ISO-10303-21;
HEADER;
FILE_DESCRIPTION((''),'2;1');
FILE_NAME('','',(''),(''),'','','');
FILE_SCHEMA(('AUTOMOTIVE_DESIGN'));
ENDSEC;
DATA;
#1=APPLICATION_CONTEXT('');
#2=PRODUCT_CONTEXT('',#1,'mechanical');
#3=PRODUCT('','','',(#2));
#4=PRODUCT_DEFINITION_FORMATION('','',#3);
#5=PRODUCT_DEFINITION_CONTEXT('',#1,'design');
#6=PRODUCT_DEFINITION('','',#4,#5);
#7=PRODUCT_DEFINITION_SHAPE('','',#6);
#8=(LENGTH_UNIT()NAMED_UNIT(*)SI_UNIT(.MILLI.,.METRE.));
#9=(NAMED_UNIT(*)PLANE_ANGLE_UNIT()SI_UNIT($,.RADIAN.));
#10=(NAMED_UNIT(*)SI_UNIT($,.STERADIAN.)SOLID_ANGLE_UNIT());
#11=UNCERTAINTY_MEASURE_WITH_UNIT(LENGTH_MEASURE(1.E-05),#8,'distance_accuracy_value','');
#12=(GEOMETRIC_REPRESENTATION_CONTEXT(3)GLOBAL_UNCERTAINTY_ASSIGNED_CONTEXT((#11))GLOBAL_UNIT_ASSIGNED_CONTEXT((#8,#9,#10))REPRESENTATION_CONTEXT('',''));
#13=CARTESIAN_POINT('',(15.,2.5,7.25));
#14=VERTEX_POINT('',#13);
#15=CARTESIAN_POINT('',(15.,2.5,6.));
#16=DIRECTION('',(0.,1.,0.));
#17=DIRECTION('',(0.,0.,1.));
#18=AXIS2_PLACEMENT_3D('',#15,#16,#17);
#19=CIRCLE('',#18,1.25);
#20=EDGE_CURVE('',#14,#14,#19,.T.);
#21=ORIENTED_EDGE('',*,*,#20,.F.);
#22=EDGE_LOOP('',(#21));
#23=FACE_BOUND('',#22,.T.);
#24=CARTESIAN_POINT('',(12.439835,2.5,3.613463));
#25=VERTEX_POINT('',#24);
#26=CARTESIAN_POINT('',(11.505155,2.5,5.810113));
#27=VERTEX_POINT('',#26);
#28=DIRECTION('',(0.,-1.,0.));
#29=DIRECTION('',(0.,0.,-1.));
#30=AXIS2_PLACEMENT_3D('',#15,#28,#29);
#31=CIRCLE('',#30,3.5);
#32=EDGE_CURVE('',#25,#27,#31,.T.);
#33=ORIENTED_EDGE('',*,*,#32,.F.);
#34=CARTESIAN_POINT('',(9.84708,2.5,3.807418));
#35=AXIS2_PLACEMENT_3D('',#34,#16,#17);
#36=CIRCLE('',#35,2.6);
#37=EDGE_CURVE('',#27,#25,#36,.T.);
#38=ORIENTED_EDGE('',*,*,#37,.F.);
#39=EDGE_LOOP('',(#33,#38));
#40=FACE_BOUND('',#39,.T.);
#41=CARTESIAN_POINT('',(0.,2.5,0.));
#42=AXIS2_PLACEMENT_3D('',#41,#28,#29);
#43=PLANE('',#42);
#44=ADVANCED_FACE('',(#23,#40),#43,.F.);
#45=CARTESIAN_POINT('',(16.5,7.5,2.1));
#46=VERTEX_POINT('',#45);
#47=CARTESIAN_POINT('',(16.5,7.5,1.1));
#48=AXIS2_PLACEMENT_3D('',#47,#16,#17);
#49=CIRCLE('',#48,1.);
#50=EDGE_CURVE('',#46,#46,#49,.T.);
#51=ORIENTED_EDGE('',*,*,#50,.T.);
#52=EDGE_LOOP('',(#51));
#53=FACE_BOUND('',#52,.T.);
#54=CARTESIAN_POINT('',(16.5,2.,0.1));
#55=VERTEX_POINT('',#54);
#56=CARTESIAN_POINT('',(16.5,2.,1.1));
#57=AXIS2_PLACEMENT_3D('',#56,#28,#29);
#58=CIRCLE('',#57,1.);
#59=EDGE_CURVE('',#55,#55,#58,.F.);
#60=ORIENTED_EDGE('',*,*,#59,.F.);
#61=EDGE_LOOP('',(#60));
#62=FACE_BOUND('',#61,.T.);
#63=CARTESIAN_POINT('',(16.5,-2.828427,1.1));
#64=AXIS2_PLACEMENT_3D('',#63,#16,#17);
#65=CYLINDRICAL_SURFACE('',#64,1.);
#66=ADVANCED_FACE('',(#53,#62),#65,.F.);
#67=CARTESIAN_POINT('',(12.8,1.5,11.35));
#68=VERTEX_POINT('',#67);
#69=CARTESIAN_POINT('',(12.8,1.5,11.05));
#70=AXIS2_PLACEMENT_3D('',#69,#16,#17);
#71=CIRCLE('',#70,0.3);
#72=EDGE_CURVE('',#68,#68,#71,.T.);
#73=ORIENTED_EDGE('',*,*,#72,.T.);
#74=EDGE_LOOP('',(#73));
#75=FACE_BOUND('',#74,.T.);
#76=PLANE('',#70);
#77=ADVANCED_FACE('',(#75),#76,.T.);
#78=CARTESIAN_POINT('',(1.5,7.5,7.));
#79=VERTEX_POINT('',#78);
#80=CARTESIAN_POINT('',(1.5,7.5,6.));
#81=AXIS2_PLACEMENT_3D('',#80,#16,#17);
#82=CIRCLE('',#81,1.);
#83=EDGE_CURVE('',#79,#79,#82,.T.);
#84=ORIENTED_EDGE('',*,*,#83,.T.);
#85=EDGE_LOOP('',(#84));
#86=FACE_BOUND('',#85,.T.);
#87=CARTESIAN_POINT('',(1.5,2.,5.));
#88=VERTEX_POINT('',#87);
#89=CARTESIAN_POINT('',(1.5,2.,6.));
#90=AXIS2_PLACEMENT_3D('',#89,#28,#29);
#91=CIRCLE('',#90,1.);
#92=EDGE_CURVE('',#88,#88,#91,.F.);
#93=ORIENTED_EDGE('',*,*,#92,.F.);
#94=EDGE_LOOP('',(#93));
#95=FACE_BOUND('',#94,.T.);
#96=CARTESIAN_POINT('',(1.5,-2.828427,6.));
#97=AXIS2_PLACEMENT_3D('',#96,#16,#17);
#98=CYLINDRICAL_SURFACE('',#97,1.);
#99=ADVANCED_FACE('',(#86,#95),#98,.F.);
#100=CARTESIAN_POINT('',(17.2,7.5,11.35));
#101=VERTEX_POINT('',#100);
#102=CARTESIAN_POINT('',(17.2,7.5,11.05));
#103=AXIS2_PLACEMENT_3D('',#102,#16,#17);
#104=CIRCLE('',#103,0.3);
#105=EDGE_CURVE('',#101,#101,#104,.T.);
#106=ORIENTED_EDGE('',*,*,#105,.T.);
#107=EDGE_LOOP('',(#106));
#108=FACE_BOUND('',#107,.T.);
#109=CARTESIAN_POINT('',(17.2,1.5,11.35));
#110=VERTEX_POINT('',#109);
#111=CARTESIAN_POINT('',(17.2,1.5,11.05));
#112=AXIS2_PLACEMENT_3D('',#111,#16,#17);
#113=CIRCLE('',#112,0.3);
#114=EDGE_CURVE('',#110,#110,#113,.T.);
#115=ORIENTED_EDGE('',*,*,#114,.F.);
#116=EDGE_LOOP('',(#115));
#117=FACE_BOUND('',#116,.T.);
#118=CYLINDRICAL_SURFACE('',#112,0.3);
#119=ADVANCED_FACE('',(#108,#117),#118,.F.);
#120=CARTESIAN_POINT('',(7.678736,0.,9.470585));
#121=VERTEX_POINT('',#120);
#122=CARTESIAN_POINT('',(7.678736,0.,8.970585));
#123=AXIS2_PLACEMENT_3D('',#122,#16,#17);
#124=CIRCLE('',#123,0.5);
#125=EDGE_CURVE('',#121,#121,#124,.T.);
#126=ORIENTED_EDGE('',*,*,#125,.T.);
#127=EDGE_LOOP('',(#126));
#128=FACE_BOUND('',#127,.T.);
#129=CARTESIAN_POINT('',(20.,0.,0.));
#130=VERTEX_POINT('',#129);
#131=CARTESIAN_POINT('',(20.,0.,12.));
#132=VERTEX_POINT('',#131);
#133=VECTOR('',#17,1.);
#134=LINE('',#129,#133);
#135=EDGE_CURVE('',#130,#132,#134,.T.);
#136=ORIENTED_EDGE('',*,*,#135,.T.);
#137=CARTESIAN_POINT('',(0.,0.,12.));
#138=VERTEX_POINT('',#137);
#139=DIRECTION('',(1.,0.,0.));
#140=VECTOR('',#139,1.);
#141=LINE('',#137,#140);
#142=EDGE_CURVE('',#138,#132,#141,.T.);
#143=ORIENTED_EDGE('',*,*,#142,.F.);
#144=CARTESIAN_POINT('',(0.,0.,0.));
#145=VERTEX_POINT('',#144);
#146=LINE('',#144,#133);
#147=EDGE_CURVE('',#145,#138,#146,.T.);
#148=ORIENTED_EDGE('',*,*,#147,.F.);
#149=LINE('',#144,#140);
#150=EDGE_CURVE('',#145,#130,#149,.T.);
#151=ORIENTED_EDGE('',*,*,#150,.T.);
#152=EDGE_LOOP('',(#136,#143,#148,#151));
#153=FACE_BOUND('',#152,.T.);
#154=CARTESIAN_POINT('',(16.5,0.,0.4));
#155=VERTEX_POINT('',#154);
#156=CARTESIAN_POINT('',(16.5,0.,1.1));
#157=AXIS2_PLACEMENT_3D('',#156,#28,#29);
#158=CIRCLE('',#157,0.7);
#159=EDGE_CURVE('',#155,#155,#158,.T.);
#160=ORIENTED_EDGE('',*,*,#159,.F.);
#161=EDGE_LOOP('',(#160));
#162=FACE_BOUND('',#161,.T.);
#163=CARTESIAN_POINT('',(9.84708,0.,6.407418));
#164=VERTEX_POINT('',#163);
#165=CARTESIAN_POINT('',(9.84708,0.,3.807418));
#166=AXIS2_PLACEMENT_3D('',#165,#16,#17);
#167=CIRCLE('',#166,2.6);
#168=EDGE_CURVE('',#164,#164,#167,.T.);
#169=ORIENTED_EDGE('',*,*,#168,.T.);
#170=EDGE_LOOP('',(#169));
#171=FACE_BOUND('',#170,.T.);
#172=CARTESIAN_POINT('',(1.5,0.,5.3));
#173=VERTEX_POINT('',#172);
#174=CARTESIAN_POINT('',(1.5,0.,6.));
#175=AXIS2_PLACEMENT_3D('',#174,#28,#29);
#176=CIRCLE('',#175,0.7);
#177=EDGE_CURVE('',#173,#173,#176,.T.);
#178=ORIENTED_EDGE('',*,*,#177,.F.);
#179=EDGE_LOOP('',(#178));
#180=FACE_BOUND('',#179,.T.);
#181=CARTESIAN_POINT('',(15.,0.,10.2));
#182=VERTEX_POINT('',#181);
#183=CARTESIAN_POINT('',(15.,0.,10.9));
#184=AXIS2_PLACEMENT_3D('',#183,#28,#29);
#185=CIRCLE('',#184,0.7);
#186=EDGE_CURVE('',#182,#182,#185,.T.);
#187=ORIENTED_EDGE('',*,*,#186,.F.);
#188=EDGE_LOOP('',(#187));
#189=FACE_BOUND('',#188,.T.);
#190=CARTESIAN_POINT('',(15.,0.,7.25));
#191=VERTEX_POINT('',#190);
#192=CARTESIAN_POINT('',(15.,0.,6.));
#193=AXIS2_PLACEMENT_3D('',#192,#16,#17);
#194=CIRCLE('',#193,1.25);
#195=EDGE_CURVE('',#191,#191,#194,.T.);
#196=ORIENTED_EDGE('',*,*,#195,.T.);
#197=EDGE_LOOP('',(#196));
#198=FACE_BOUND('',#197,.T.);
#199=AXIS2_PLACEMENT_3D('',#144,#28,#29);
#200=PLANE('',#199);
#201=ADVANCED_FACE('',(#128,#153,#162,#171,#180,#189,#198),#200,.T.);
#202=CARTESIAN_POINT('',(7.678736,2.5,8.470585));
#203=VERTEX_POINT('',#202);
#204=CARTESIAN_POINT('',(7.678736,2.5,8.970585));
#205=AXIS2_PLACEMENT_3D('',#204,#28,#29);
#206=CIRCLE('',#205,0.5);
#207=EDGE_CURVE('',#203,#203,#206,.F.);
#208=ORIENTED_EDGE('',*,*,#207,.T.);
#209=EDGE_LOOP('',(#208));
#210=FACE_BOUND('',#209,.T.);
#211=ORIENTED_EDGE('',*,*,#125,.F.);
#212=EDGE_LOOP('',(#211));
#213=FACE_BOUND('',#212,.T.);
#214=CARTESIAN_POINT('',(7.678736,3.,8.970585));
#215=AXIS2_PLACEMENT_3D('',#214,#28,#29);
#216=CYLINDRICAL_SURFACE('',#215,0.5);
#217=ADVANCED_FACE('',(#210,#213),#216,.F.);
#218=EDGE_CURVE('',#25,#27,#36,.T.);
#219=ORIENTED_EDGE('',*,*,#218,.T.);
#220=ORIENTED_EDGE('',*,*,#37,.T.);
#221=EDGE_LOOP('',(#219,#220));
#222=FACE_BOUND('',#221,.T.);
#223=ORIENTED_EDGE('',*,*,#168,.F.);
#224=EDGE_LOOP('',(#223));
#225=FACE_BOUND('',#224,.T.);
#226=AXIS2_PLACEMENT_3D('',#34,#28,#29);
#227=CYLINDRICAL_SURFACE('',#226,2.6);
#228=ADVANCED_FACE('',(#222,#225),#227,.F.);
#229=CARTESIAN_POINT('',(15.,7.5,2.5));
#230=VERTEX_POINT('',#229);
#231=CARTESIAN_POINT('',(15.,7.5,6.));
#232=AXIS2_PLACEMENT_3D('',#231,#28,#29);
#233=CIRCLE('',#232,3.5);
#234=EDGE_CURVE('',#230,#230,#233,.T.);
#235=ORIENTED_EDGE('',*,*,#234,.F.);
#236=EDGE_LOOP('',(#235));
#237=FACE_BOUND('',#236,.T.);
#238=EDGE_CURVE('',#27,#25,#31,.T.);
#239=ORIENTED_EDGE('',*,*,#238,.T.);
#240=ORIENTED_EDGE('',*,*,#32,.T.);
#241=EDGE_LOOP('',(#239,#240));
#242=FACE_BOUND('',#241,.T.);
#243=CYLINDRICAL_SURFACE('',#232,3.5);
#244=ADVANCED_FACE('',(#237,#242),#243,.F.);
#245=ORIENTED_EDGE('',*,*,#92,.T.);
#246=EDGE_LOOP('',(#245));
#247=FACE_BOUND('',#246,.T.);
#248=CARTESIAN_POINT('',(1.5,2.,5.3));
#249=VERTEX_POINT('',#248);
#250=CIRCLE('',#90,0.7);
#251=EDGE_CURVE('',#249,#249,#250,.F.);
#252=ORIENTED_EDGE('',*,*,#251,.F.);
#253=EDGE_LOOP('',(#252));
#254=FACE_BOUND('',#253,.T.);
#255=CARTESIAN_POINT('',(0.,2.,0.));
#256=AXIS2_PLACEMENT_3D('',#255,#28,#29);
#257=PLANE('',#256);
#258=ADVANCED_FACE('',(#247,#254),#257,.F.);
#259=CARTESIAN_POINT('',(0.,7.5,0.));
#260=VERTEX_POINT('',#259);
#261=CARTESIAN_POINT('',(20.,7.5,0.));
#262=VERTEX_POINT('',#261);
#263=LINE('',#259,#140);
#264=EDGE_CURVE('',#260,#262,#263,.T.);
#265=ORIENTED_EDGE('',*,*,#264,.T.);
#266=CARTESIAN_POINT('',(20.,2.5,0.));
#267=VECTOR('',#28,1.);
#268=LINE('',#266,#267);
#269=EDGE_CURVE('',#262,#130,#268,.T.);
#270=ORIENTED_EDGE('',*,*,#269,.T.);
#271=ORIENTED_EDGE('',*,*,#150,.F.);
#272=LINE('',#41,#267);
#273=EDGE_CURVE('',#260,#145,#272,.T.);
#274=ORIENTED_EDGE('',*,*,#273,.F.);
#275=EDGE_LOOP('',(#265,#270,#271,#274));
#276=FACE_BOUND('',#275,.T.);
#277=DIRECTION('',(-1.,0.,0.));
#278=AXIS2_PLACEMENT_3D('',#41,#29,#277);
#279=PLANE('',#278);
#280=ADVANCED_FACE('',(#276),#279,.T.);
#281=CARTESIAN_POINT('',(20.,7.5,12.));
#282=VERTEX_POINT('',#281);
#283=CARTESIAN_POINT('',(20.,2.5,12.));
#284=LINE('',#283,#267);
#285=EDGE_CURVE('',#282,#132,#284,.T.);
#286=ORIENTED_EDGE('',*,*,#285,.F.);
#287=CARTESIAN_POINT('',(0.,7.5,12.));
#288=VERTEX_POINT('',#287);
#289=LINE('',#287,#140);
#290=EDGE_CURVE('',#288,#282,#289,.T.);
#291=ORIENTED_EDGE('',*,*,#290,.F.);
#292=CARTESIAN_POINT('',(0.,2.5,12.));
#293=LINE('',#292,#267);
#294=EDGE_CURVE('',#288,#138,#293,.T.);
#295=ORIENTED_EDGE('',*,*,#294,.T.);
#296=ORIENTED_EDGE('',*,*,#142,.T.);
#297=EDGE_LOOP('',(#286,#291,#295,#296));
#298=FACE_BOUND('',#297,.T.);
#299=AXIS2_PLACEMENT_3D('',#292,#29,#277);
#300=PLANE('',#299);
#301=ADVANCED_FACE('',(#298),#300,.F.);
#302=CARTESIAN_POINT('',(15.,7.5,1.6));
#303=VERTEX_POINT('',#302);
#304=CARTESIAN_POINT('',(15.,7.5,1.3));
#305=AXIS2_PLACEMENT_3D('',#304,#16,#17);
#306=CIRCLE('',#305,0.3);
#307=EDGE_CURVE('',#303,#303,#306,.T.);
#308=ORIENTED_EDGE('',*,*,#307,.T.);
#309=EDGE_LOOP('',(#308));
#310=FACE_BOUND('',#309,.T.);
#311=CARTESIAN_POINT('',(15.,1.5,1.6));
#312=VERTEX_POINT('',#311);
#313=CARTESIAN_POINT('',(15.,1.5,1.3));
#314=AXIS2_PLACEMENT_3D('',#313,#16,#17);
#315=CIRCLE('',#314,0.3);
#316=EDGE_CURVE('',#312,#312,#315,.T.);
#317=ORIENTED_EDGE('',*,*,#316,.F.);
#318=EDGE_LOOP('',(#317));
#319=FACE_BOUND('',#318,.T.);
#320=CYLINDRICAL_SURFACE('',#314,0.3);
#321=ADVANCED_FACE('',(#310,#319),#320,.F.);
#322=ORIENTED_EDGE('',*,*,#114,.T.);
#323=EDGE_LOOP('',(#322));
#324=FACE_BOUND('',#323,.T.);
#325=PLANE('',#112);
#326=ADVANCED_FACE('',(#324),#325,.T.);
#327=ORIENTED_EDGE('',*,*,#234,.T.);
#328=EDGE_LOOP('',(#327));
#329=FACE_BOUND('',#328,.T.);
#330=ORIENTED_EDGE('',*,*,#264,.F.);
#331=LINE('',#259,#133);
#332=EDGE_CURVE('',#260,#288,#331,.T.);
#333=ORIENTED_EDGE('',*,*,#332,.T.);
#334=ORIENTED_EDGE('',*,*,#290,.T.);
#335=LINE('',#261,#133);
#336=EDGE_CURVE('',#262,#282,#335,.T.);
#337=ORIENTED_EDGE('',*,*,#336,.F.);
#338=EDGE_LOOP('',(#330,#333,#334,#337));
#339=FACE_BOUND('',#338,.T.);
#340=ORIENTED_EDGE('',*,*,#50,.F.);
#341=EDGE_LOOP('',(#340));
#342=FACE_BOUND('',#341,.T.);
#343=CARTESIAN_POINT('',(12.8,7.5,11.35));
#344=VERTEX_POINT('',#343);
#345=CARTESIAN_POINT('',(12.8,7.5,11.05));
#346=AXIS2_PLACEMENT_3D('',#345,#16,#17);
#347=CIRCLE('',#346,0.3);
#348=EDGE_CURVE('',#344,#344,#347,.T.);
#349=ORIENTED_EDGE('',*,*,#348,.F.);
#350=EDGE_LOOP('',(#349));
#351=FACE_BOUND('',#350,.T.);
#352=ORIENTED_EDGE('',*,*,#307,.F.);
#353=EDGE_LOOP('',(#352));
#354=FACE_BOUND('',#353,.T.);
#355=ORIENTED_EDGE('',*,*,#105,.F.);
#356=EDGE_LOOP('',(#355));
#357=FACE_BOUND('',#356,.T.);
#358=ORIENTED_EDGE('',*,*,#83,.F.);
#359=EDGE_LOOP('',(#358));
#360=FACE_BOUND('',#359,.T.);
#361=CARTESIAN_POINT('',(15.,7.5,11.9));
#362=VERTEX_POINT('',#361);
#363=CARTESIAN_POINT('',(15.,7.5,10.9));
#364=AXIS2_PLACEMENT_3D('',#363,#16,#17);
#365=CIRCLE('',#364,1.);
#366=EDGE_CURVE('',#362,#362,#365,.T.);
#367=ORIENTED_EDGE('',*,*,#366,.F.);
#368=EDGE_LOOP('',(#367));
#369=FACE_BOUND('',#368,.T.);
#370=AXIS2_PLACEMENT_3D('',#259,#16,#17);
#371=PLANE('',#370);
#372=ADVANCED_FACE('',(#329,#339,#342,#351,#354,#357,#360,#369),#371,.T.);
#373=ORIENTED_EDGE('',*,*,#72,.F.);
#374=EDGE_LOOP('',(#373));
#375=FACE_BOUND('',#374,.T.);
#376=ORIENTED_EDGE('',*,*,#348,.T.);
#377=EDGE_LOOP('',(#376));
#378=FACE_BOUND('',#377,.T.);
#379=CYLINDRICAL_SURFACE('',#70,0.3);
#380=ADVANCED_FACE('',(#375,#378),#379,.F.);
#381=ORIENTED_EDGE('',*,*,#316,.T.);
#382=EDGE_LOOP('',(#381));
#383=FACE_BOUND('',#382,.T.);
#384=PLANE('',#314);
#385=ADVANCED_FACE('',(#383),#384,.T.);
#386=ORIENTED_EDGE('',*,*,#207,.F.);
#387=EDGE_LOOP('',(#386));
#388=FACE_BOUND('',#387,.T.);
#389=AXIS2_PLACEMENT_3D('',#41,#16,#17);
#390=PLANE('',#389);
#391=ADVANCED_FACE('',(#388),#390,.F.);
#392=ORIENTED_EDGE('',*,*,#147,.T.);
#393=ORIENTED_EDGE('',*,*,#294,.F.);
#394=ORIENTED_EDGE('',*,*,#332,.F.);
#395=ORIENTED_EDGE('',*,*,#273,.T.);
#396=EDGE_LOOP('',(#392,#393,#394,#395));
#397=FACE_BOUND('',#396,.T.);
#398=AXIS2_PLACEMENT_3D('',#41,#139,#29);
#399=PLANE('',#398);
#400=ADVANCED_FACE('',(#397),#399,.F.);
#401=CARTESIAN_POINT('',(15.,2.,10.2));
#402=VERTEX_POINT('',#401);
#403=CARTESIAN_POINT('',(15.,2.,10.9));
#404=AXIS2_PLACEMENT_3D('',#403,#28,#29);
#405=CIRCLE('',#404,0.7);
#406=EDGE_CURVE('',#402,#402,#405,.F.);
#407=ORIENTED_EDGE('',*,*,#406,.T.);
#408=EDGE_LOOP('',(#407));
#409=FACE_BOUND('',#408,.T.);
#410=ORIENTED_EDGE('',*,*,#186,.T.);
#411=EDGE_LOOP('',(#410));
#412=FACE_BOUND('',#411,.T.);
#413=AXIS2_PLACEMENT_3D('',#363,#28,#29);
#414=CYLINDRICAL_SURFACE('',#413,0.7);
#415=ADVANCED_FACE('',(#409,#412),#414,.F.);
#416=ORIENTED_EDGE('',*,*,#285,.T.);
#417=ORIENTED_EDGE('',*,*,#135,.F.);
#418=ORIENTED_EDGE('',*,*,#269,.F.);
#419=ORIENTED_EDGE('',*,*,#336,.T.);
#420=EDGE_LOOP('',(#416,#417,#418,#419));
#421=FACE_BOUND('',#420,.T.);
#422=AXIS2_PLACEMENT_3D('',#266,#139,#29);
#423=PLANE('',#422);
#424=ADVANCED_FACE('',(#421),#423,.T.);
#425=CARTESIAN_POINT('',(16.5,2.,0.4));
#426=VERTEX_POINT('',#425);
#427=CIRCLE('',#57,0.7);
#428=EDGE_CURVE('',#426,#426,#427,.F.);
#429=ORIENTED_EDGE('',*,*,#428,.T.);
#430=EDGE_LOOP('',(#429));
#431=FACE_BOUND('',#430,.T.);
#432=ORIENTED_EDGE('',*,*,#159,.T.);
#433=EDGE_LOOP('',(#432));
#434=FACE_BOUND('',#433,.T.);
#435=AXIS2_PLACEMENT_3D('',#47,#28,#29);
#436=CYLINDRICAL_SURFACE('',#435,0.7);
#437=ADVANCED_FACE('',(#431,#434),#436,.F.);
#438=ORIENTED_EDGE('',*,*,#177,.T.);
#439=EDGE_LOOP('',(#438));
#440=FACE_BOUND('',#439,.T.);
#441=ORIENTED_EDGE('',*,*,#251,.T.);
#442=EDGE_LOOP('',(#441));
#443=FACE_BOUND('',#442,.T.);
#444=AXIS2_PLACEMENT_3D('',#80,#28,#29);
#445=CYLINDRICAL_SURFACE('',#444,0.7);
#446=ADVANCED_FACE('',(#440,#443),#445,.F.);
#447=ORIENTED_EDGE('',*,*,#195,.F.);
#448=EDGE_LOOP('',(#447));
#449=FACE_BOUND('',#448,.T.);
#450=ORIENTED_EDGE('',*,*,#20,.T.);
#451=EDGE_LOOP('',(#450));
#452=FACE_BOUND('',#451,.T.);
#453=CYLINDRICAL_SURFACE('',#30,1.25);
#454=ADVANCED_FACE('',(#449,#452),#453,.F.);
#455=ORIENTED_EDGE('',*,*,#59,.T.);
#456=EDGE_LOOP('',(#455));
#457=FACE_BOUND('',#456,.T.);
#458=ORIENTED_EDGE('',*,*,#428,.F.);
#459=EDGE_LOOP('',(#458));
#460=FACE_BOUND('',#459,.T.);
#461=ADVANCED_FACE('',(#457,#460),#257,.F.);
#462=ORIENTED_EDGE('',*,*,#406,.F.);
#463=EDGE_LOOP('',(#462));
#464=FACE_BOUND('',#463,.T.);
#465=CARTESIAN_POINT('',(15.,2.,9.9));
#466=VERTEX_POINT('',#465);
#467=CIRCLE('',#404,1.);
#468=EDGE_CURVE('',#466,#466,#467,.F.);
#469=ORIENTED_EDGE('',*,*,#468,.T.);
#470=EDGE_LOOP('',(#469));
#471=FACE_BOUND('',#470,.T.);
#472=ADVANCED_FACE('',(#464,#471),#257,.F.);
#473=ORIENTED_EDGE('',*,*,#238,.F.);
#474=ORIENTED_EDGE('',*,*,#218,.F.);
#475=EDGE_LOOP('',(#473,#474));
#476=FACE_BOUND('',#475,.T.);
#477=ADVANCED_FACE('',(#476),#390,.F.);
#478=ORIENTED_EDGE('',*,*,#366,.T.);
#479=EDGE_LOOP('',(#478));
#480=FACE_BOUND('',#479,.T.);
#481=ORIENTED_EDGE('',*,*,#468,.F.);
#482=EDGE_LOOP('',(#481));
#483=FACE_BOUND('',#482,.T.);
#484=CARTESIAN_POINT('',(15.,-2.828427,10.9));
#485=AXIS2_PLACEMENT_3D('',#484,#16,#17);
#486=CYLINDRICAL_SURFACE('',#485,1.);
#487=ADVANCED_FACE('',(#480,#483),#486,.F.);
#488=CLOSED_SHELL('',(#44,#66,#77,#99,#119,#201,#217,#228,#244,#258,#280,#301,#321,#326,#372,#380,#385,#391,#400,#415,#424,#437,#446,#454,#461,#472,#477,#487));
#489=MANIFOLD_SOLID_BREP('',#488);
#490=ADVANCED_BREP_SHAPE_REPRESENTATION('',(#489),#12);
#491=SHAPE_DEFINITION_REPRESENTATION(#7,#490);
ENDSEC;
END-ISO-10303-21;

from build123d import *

# Parameters (mm, degrees)
SKETCH_1_W          = 20
SKETCH_1_H          = 12
EXTRUDE_1_DEPTH     = 2.5
SKETCH_1_8_R        = 0.5
CUT_EXTRUDE_1_DEPTH = 3
SKETCH_1_9_R        = 2.6
SKETCH_1_9_R_2      = 1.25
CUT_EXTRUDE_3_DEPTH = 2.5
EXTRUDE_START       = 2.5
SKETCH_1_10_W       = 20
SKETCH_1_10_H       = 12
SKETCH_1_10_R       = 3.5
EXTRUDE_2_DEPTH     = 5
SKETCH_2_R          = 0.7
CUT_EXTRUDE_4_DEPTH = 25.5
CUT_EXTRUDE_START   = -7.5
SKETCH_2_3_R        = 1
CUT_EXTRUDE_5_DEPTH = 5.5
SKETCH_2_6_R        = 0.3
CUT_EXTRUDE_6_DEPTH = 6


with BuildPart() as part:
    # 草图1 → 凸台-拉伸1 (new body)
    with BuildSketch(Plane(origin=(0, 0, 0), x_dir=(1, 0, 0), z_dir=(0, 1, 0))):
        with Locations((10, -6)):
            Rectangle(SKETCH_1_W, SKETCH_1_H)
    extrude(amount=EXTRUDE_1_DEPTH)

    # 草图1<8> → 切除-拉伸1 (cut)
    with BuildSketch(Plane(origin=(0, 0, 0), x_dir=(1, 0, 0), z_dir=(0, 1, 0))):
        with Locations(Location((7.678736094, -8.970584613, 0), (0, 0, 90))):
            Circle(SKETCH_1_8_R)
    extrude(amount=CUT_EXTRUDE_1_DEPTH, mode=Mode.SUBTRACT)

    # 草图1<9> → 切除-拉伸3 (cut)
    with BuildSketch(Plane(origin=(0, 0, 0), x_dir=(1, 0, 0), z_dir=(0, 1, 0))):
        with Locations(Location((9.847079862, -3.807418404, 0), (0, 0, 270))):
            Circle(SKETCH_1_9_R)
        with Locations(Location((15, -6, 0), (0, 0, 270))):
            Circle(SKETCH_1_9_R_2)
    extrude(amount=CUT_EXTRUDE_3_DEPTH, mode=Mode.SUBTRACT)

    # 草图1<10> → 凸台-拉伸2 (add)
    with BuildSketch(Plane(origin=(0, 0, 0), x_dir=(1, 0, 0), z_dir=(0, 1, 0)).offset(EXTRUDE_START)):
        with Locations((10, -6)):
            Rectangle(SKETCH_1_10_W, SKETCH_1_10_H)
        with Locations(Location((15, -6, 0), (0, 0, 90))):
            Circle(SKETCH_1_10_R, mode=Mode.SUBTRACT)
    extrude(amount=EXTRUDE_2_DEPTH)

    # 草图2 → 切除-拉伸4 (cut, through all)
    with BuildSketch(Plane.XZ):
        with Locations(Location((15, 10.9, 0), (0, 0, 270))):
            Circle(SKETCH_2_R)
        with Locations(Location((1.5, 6, 0), (0, 0, 270))):
            Circle(SKETCH_2_R)
        with Locations(Location((16.5, 1.1, 0), (0, 0, 270))):
            Circle(SKETCH_2_R)
    extrude(amount=-CUT_EXTRUDE_4_DEPTH, mode=Mode.SUBTRACT)

    # 草图2<3> → 切除-拉伸5 (cut)
    with BuildSketch(Plane.XZ.offset(CUT_EXTRUDE_START)):
        with Locations(Location((16.5, 1.1, 0), (0, 0, 90))):
            Circle(SKETCH_2_3_R)
        with Locations(Location((15, 10.9, 0), (0, 0, 90))):
            Circle(SKETCH_2_3_R)
        with Locations(Location((1.5, 6, 0), (0, 0, 90))):
            Circle(SKETCH_2_3_R)
    extrude(amount=CUT_EXTRUDE_5_DEPTH, mode=Mode.SUBTRACT)

    # 草图2<6> → 切除-拉伸6 (cut)
    with BuildSketch(Plane.XZ.offset(CUT_EXTRUDE_START)):
        with Locations(Location((12.8, 11.05, 0), (0, 0, 90))):
            Circle(SKETCH_2_6_R)
        with Locations(Location((17.2, 11.05, 0), (0, 0, 90))):
            Circle(SKETCH_2_6_R)
        with Locations(Location((15, 1.3, 0), (0, 0, 90))):
            Circle(SKETCH_2_6_R)
    extrude(amount=CUT_EXTRUDE_6_DEPTH, mode=Mode.SUBTRACT)


solid = part.part
